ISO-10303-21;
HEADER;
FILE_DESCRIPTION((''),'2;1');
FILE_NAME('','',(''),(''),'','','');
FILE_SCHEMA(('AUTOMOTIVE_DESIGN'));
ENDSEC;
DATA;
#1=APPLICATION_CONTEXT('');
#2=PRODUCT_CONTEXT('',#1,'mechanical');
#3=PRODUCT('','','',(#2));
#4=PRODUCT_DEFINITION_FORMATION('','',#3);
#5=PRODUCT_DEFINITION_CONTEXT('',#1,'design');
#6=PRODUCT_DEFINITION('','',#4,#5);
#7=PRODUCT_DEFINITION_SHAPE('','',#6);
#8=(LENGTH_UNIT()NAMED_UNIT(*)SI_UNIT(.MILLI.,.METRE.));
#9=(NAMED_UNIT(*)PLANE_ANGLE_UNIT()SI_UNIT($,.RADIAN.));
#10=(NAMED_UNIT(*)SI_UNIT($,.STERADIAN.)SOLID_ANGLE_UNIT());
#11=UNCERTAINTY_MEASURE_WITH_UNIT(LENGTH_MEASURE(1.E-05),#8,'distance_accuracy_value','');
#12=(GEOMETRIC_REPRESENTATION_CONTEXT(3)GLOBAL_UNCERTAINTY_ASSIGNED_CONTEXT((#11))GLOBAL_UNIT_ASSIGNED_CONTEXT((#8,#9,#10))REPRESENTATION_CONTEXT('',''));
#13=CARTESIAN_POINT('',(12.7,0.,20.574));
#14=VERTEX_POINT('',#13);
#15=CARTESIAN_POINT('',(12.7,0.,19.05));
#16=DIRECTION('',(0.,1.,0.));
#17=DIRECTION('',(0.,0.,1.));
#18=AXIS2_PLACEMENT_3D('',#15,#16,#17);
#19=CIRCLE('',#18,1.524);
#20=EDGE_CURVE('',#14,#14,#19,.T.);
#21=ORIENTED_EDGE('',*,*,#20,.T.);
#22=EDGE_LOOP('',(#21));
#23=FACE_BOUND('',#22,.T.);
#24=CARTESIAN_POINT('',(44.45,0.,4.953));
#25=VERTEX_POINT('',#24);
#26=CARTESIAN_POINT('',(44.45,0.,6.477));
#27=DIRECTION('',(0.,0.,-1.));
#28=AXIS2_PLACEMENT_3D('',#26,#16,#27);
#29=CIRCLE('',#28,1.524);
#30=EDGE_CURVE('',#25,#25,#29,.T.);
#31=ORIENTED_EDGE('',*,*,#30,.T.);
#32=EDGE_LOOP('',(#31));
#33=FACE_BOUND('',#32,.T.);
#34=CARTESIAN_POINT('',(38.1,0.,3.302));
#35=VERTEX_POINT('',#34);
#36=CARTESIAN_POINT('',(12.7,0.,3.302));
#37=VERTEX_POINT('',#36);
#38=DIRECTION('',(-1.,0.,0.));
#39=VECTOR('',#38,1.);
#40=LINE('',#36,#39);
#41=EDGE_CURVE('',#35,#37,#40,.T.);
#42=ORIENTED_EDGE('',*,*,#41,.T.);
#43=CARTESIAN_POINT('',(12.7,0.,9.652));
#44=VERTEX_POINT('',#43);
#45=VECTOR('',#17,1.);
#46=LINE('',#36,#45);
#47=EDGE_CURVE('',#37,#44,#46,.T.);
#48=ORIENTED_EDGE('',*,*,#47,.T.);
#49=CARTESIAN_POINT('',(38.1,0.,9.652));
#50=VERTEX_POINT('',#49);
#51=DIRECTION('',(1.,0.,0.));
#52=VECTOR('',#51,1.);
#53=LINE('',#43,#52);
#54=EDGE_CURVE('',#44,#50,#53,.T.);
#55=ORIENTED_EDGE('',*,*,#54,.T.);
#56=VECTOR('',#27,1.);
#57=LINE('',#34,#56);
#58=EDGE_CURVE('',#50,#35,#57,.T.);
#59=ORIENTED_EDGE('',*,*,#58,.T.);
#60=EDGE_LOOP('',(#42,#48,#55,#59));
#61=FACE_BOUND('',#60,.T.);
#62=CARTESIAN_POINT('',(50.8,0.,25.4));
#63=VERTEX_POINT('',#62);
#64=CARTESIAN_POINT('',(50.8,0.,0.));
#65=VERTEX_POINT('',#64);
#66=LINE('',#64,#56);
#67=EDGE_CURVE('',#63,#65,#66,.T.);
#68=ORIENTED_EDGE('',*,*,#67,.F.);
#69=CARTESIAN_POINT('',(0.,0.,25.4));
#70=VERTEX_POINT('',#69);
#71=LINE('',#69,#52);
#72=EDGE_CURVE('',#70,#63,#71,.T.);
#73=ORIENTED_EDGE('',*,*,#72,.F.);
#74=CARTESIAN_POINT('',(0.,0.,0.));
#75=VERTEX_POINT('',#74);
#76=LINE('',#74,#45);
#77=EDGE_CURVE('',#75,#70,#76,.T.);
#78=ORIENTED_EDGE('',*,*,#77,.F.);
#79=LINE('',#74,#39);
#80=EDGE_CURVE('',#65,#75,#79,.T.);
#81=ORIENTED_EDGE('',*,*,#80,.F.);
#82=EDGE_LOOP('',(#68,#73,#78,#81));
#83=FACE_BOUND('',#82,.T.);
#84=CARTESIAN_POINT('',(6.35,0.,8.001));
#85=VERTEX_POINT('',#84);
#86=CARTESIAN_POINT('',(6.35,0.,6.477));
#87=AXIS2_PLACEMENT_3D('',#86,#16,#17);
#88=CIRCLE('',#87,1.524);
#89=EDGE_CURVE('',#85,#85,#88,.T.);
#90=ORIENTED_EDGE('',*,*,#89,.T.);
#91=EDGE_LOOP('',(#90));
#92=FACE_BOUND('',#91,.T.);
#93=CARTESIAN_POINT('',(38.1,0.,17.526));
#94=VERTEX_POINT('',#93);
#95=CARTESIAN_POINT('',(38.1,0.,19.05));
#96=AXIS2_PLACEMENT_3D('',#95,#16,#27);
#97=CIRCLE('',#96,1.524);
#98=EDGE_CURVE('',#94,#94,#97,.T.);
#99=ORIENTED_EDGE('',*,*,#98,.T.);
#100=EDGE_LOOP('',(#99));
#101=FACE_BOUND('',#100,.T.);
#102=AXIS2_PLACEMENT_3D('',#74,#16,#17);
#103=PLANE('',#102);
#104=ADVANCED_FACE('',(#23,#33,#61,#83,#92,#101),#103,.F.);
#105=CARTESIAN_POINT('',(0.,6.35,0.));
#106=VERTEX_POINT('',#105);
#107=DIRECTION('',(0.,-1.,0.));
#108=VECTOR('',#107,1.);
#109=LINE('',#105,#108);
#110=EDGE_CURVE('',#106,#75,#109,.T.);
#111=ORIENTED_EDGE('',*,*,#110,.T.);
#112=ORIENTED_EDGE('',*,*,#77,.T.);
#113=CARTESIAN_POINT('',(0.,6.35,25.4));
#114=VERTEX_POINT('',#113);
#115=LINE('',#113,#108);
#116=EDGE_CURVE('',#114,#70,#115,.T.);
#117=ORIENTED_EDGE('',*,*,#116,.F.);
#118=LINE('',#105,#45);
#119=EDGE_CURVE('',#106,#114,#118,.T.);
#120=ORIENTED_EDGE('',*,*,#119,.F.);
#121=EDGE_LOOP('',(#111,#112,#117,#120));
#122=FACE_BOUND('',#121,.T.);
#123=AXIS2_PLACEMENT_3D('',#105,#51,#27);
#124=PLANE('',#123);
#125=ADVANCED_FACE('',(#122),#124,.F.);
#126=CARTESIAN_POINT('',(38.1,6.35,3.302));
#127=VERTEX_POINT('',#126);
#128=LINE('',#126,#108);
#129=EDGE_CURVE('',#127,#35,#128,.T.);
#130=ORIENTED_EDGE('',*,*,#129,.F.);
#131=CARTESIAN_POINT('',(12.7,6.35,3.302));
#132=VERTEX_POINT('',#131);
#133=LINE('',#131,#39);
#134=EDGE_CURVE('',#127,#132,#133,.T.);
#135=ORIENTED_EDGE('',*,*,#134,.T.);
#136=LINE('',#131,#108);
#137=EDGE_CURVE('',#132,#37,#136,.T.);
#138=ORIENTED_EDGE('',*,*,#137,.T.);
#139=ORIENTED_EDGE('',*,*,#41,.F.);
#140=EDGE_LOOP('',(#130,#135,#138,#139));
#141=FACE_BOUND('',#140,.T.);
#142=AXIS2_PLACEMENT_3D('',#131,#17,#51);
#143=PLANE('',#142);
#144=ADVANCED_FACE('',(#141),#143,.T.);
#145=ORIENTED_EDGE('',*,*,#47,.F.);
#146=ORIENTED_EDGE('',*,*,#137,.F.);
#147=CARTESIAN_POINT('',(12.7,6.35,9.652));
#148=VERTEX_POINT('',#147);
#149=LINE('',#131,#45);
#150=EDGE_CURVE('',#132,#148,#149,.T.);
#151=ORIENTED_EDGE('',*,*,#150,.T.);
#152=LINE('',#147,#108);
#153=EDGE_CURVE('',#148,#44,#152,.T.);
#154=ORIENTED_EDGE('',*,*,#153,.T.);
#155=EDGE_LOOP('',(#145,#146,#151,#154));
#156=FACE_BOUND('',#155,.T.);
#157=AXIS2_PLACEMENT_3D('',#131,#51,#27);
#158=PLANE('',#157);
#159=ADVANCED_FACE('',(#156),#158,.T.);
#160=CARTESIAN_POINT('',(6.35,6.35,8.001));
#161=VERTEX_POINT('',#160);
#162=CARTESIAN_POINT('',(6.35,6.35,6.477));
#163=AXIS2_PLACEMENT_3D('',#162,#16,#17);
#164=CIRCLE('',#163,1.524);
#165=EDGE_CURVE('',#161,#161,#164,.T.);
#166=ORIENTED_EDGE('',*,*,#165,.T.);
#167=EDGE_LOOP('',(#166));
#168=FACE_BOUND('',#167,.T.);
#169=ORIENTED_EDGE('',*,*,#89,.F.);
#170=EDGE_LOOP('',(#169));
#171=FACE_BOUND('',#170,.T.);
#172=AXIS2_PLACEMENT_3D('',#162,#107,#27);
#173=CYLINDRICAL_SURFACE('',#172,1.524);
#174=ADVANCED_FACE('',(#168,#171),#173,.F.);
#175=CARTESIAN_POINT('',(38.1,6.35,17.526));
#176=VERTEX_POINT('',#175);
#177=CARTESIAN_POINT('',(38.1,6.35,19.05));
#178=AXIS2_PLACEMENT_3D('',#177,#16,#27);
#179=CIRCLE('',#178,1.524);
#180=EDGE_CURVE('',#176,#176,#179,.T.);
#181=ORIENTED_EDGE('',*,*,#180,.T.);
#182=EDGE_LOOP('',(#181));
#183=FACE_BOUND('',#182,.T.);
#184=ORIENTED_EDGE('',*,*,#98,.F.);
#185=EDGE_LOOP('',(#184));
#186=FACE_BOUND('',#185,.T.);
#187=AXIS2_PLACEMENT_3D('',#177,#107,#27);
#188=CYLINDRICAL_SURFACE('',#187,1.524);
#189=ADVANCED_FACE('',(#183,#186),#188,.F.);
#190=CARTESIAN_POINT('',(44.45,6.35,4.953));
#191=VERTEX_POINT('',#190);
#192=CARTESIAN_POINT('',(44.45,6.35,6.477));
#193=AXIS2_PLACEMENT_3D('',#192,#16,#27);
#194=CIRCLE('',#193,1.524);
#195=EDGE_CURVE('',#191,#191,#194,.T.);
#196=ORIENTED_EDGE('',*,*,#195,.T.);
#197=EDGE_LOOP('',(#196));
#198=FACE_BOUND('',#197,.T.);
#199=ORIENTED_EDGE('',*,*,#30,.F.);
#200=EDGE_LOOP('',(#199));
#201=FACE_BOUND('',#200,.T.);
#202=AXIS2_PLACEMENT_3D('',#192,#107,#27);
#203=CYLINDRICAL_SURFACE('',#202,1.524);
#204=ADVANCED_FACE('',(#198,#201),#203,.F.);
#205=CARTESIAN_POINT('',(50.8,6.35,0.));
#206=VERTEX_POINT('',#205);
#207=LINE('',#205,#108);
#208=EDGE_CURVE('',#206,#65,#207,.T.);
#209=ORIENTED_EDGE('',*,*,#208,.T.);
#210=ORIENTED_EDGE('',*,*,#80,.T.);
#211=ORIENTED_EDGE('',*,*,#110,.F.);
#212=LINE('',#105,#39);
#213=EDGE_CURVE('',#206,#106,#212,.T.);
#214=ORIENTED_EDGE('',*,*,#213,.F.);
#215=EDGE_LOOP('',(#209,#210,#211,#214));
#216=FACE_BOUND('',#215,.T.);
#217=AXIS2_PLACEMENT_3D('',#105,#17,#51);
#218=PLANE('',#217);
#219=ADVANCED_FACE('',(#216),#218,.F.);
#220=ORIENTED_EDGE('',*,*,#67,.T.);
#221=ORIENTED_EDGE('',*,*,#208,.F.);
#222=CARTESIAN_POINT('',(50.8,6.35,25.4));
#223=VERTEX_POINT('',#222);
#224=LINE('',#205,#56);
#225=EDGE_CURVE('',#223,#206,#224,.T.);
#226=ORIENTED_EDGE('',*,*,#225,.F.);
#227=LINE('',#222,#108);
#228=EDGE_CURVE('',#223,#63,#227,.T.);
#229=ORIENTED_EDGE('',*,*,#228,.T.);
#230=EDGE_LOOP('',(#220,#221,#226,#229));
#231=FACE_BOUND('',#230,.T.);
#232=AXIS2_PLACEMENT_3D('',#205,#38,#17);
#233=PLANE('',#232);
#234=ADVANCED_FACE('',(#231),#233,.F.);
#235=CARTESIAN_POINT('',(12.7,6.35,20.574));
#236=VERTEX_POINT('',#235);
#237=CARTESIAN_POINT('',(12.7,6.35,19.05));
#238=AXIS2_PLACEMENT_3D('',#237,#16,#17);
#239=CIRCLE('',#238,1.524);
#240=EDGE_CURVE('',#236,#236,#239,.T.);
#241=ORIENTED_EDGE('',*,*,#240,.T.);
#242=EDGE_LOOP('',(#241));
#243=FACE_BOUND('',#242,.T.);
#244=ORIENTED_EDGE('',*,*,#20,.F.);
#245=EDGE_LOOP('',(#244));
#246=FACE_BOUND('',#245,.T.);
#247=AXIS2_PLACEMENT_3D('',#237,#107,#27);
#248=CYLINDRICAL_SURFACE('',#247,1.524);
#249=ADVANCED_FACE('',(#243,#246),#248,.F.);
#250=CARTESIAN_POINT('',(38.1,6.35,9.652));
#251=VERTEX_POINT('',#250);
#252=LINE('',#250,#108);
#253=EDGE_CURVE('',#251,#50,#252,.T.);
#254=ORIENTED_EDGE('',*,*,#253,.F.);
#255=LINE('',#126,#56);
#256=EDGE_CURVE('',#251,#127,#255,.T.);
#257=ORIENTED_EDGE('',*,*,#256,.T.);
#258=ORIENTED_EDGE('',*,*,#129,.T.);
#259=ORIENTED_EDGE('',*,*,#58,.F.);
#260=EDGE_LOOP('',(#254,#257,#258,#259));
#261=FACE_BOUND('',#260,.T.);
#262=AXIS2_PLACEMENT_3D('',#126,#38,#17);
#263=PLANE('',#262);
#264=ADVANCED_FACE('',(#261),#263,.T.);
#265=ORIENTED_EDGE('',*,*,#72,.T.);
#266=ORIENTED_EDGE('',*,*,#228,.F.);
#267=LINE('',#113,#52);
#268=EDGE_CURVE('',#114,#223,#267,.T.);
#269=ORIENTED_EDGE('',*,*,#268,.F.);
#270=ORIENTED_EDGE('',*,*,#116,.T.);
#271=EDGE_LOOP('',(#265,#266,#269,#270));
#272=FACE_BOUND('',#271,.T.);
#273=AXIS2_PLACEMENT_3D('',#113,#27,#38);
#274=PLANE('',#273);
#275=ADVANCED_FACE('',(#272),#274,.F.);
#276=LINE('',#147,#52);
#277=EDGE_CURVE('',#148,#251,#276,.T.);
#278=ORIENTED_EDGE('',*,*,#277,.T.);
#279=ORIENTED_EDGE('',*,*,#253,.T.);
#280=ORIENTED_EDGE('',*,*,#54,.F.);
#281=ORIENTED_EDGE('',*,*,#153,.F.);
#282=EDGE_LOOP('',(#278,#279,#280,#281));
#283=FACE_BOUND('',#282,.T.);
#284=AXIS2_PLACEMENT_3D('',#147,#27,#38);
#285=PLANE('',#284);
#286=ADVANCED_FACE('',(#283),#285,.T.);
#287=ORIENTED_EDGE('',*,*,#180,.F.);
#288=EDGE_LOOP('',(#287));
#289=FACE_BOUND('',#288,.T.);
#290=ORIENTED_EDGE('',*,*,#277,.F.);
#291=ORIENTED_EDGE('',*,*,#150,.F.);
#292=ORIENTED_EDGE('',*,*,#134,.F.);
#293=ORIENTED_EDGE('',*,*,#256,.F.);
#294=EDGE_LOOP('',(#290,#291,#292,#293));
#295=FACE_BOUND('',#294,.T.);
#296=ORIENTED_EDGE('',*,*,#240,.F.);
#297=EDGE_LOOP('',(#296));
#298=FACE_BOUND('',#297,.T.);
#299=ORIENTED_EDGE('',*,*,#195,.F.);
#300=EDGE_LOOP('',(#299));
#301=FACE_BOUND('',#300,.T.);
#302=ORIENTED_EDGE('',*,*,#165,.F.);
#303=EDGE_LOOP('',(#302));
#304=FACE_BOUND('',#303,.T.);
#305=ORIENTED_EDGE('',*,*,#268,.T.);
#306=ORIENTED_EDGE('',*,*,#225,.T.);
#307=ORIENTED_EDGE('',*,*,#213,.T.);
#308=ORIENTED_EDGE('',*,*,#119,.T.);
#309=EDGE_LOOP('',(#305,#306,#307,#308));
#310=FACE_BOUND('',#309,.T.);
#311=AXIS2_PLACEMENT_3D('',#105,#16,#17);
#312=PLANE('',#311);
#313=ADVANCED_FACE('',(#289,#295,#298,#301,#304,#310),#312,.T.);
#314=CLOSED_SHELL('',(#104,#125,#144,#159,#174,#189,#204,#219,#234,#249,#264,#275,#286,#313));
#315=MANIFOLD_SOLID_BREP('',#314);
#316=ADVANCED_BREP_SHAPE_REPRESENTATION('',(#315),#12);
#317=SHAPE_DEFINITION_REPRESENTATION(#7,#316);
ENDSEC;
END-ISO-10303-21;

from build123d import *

# Parameters (mm, degrees)
SKETCH1_W           = 50.8
SKETCH1_H           = 25.4
SKETCH1_R           = 1.524
SKETCH1_W_2         = 25.4
SKETCH1_H_2         = 6.35
BOSS_EXTRUDE1_DEPTH = 6.35


with BuildPart() as part:
    # Sketch1 → Boss-Extrude1 (new body)
    with BuildSketch(Plane(origin=(0, 0, 0), x_dir=(1, 0, 0), z_dir=(0, 1, 0))):
        with Locations((25.4, -12.7)):
            Rectangle(SKETCH1_W, SKETCH1_H)
        with Locations((6.35, -6.477)):
            Circle(SKETCH1_R, mode=Mode.SUBTRACT)
        with Locations((44.45, -6.477)):
            Circle(SKETCH1_R, mode=Mode.SUBTRACT)
        with Locations((12.7, -19.05)):
            Circle(SKETCH1_R, mode=Mode.SUBTRACT)
        with Locations((38.1, -19.05)):
            Circle(SKETCH1_R, mode=Mode.SUBTRACT)
        with Locations((25.4, -6.477)):
            Rectangle(SKETCH1_W_2, SKETCH1_H_2, mode=Mode.SUBTRACT)
    extrude(amount=BOSS_EXTRUDE1_DEPTH)


solid = part.part
